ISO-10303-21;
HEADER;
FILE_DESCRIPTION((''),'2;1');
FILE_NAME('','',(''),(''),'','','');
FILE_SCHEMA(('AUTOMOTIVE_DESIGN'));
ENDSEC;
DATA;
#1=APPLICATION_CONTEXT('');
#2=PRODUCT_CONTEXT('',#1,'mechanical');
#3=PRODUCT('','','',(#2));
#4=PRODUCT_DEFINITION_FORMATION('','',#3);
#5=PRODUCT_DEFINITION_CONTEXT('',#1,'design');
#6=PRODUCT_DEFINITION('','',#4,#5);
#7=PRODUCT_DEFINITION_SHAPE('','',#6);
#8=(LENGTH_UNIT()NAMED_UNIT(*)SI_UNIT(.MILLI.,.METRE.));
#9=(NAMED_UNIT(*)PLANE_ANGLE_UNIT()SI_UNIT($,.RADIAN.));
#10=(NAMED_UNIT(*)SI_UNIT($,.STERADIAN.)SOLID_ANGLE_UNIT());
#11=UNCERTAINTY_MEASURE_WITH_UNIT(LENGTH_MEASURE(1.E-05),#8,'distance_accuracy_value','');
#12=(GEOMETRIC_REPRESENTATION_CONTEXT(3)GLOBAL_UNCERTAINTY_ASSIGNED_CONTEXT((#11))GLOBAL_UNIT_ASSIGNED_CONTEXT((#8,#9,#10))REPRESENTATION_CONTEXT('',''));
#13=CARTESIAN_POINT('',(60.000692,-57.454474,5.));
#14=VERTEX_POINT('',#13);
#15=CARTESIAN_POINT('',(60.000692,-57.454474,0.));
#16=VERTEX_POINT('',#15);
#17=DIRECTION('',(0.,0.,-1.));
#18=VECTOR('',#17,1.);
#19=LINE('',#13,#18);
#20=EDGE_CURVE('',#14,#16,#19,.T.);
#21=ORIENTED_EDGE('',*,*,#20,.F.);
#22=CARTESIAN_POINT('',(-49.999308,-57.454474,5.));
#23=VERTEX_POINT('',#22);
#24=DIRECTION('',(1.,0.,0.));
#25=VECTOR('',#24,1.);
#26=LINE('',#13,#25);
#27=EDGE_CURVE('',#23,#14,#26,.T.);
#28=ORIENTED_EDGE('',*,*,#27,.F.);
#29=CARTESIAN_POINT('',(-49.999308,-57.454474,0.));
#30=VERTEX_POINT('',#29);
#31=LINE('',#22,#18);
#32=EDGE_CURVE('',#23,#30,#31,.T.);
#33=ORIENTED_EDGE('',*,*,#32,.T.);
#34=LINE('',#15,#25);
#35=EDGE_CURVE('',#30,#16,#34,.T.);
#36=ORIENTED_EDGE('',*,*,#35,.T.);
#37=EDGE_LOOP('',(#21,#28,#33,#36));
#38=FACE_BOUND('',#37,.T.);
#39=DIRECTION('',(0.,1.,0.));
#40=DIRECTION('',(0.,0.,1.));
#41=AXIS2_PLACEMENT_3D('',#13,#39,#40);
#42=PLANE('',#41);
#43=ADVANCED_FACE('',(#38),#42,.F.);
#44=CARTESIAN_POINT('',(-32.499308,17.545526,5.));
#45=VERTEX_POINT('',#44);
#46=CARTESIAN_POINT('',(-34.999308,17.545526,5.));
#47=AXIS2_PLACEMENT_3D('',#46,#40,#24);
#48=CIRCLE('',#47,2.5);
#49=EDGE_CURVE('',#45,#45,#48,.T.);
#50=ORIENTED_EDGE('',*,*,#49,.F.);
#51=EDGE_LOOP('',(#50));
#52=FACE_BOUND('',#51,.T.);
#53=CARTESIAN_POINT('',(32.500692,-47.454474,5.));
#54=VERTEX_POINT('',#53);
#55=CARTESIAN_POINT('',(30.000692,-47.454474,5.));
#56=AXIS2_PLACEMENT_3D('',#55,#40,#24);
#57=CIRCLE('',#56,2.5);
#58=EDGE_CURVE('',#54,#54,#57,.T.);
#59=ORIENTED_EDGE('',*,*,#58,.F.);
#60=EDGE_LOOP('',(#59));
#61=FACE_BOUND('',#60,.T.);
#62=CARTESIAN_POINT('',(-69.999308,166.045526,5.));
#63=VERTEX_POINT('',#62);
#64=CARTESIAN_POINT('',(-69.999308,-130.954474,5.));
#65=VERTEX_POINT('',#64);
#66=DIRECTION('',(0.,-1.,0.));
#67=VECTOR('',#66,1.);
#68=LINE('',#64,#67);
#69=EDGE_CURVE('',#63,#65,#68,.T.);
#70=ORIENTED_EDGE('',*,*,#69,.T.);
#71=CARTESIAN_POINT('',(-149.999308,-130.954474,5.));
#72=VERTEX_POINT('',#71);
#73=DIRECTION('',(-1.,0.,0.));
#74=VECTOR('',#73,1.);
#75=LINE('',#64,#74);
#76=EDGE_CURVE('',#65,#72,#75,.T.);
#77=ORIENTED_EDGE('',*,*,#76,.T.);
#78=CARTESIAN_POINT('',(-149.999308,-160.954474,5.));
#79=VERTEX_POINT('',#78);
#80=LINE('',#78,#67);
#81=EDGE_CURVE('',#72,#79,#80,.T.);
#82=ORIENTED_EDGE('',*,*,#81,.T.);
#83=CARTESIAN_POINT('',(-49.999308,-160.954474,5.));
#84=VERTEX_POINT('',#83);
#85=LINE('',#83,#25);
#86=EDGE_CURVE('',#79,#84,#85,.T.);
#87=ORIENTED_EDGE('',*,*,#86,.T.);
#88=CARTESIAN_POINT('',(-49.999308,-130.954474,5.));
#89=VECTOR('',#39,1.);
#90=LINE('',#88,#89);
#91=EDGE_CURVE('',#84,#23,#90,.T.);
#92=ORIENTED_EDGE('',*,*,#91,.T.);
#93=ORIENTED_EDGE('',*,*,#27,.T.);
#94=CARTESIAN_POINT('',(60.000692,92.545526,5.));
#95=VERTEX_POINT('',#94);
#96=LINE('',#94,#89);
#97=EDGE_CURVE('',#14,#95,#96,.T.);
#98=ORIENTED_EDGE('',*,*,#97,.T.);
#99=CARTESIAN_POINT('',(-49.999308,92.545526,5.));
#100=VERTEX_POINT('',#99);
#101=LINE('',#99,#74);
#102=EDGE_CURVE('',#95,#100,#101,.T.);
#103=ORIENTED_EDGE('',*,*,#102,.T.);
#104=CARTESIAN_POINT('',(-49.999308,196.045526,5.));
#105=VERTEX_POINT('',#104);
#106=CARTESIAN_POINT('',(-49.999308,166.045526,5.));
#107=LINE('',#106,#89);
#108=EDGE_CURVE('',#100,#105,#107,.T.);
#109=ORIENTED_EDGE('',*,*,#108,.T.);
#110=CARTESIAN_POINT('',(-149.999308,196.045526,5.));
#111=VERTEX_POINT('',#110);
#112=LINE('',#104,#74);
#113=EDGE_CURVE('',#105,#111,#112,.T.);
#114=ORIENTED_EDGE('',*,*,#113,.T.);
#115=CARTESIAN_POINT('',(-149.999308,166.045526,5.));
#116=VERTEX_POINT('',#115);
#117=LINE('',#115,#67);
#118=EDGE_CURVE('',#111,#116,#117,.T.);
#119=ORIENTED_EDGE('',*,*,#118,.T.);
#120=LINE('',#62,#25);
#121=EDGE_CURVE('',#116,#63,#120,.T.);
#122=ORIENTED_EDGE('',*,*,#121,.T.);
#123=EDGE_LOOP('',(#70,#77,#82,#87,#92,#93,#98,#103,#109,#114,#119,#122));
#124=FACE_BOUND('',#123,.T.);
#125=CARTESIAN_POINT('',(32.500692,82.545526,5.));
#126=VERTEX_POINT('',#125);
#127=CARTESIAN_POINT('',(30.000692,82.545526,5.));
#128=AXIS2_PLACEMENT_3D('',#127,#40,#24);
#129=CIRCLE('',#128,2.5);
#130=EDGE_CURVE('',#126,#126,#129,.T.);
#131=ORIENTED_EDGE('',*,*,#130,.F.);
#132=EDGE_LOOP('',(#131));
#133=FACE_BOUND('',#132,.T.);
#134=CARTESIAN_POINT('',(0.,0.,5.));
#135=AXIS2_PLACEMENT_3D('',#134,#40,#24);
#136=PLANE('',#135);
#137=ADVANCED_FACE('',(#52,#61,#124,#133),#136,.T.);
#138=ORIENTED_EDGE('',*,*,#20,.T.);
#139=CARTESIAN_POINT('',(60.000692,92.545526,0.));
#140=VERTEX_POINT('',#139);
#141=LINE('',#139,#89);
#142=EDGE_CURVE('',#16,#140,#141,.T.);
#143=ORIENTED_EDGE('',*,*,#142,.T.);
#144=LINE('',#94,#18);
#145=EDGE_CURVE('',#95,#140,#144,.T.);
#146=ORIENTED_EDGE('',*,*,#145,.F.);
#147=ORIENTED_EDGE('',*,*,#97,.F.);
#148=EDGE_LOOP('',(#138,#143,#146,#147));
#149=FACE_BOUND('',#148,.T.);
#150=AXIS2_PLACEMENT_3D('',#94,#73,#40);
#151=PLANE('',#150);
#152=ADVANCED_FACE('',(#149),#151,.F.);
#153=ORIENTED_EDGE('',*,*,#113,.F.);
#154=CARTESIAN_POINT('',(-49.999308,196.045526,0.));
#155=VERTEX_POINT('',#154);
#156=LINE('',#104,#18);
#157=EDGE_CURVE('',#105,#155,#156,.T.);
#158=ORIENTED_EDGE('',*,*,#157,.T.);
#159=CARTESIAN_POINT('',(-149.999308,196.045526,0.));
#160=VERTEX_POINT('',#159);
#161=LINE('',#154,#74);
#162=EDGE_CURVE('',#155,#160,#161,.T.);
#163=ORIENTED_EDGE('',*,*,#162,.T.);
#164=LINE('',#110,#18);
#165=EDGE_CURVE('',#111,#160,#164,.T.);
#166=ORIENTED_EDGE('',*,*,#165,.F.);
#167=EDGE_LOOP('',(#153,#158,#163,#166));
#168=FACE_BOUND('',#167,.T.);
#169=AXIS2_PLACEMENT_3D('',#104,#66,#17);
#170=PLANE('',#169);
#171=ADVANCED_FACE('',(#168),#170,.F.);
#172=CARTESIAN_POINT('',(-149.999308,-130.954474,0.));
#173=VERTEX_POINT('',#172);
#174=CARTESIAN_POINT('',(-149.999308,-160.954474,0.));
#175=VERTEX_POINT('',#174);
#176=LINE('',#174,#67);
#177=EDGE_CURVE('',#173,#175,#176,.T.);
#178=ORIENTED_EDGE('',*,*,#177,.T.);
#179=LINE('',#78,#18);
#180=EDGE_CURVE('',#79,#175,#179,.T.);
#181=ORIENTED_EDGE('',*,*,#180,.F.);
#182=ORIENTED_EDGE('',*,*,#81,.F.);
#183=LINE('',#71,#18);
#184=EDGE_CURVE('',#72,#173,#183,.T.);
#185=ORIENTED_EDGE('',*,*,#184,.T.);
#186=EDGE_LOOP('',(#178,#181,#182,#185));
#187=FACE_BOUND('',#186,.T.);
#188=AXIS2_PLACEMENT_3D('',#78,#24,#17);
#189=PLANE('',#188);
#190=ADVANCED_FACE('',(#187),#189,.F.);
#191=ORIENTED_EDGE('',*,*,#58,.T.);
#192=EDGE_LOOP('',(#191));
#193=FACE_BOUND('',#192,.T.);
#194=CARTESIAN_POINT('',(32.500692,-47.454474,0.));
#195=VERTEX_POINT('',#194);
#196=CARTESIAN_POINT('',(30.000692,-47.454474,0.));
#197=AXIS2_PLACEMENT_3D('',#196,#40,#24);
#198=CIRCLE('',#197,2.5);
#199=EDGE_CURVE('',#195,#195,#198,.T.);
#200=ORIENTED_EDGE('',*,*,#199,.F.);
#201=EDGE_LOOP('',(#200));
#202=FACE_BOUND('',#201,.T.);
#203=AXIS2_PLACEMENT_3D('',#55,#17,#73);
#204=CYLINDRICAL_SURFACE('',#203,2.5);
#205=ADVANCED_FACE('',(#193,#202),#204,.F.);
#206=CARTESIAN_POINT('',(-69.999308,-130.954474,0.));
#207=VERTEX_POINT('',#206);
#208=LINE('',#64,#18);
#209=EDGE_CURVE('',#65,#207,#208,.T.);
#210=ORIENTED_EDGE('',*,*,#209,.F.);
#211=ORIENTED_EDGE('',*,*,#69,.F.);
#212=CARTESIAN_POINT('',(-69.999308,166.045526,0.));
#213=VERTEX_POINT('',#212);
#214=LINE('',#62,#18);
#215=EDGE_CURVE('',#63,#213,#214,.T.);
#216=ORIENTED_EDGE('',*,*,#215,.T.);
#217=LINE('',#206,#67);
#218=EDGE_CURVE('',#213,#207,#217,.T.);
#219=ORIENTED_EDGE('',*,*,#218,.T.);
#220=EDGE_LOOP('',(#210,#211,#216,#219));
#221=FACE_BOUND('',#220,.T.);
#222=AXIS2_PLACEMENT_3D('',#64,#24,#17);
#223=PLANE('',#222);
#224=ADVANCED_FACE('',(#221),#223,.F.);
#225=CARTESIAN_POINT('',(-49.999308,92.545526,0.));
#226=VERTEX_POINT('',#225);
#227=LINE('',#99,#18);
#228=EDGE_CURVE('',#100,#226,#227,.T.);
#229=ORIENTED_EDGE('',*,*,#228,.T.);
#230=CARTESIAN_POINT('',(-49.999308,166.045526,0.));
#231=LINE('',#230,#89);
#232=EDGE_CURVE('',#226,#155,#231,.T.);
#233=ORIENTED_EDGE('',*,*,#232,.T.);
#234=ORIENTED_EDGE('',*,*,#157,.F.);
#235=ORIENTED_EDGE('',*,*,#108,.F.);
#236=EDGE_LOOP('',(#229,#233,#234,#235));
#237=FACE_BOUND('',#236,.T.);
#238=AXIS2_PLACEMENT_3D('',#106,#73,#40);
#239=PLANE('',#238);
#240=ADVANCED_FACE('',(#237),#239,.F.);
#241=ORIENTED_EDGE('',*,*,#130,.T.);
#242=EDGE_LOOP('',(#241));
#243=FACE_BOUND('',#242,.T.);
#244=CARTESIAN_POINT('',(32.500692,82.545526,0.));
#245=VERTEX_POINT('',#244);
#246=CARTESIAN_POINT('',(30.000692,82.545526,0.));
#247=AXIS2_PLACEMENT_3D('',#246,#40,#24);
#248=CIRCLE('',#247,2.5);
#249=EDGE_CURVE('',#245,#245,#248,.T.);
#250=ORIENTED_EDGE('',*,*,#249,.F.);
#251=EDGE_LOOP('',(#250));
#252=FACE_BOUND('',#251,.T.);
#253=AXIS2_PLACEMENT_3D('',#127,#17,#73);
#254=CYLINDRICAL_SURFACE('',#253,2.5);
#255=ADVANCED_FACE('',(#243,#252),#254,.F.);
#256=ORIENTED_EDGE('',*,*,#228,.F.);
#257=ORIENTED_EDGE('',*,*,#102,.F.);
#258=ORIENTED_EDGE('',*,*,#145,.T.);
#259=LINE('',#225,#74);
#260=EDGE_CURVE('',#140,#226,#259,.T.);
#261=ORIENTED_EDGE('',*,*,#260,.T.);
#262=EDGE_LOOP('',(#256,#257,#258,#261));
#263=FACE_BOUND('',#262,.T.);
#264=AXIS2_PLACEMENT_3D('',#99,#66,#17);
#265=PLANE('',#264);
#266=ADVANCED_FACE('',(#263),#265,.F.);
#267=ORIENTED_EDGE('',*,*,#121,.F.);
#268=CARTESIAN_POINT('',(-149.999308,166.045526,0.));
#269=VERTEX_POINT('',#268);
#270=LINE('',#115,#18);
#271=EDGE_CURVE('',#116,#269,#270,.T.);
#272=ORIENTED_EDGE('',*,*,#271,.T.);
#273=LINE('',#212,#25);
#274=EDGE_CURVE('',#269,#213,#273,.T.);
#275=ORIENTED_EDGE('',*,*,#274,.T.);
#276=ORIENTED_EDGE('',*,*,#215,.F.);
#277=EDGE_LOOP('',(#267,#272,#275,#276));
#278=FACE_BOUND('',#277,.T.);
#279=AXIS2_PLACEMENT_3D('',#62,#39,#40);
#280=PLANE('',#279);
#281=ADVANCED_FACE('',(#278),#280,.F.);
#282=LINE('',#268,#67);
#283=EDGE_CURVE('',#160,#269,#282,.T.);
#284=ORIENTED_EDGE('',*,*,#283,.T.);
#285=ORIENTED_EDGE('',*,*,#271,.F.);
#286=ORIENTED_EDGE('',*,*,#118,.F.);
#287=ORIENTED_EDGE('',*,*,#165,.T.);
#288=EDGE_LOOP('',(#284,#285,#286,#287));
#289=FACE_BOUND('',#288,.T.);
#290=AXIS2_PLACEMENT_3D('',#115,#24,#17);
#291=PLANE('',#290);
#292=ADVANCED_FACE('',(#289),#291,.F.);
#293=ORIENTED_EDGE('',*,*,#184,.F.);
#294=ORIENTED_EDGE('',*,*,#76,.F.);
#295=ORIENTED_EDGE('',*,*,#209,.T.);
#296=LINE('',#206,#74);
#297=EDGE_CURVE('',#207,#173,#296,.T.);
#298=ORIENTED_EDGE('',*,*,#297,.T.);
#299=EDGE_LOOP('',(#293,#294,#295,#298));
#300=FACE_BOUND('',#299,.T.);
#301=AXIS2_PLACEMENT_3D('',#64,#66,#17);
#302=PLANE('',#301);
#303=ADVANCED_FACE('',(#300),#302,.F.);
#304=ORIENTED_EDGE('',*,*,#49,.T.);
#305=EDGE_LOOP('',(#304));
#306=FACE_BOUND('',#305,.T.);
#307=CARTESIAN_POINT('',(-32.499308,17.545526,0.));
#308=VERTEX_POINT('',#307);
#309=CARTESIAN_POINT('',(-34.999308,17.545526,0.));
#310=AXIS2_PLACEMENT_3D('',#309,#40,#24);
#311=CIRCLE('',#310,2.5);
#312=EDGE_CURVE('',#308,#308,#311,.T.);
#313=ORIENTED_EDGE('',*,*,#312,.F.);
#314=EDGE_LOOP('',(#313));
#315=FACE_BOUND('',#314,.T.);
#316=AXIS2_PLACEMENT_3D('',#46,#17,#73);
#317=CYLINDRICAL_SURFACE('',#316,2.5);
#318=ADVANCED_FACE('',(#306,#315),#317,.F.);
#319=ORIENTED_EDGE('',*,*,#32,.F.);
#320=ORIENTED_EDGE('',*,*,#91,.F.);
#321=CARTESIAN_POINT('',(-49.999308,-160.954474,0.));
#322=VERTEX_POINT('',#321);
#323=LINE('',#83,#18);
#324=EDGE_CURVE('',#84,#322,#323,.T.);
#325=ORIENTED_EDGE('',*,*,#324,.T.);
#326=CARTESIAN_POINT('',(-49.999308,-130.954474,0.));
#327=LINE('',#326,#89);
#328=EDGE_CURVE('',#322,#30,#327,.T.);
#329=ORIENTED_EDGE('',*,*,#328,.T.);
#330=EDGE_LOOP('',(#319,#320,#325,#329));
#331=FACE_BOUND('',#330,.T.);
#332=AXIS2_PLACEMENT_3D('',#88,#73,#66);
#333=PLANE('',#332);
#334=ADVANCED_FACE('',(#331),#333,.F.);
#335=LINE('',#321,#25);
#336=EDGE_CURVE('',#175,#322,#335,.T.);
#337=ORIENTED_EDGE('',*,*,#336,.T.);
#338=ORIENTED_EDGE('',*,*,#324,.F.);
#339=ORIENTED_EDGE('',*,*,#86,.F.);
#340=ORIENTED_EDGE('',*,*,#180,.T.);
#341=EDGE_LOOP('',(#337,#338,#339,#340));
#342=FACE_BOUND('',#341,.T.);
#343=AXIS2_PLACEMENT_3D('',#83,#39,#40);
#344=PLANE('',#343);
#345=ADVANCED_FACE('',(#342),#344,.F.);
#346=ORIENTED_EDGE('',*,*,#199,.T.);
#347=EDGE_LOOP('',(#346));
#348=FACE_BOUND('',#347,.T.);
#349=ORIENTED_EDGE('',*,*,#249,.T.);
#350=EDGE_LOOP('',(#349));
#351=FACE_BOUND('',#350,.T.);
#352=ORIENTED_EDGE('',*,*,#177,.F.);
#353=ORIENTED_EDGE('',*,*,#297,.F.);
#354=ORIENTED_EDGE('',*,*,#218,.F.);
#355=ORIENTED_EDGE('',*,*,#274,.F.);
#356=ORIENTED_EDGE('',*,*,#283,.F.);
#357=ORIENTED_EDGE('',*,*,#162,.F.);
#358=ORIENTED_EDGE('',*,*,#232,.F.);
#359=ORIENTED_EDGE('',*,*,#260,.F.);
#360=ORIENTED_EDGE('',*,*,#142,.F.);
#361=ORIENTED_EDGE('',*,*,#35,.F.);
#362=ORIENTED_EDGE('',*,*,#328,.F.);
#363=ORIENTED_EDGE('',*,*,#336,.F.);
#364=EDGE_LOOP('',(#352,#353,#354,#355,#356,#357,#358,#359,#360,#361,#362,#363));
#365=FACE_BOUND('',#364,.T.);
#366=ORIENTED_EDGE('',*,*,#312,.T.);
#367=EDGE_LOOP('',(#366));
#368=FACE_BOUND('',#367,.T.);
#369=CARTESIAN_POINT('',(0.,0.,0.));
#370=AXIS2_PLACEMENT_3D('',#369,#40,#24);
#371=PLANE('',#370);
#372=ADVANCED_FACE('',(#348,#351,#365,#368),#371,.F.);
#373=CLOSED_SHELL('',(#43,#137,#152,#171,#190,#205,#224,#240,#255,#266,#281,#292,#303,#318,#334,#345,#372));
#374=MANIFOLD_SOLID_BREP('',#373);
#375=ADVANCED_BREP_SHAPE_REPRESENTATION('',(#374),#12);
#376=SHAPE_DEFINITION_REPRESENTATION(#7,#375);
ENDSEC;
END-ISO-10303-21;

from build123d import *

# Parameters (mm, degrees)
SKETCH1_R           = 2.5
BOSS_EXTRUDE1_DEPTH = 5


with BuildPart() as part:
    # Sketch1 → Boss-Extrude1 (new body)
    with BuildSketch(Plane.XY):
        Polygon((-49.999307958, 92.545526446), (60.000692042, 92.545526446), (60.000692042, -57.454473554), (-49.999307958, -57.454473554), (-49.999307958, -130.954473554), (-49.999307958, -160.954473554), (-149.999307958, -160.954473554), (-149.999307958, -130.954473554), (-69.999307958, -130.954473554), (-69.999307958, 166.045526446), (-149.999307958, 166.045526446), (-149.999307958, 196.045526446), (-49.999307958, 196.045526446), (-49.999307958, 166.045526446), align=None)
        with Locations((-34.999307958, 17.545526446)):
            Circle(SKETCH1_R, mode=Mode.SUBTRACT)
        with Locations((30.000692042, -47.454473554)):
            Circle(SKETCH1_R, mode=Mode.SUBTRACT)
        with Locations((30.000692042, 82.545526446)):
            Circle(SKETCH1_R, mode=Mode.SUBTRACT)
    extrude(amount=BOSS_EXTRUDE1_DEPTH)


solid = part.part
